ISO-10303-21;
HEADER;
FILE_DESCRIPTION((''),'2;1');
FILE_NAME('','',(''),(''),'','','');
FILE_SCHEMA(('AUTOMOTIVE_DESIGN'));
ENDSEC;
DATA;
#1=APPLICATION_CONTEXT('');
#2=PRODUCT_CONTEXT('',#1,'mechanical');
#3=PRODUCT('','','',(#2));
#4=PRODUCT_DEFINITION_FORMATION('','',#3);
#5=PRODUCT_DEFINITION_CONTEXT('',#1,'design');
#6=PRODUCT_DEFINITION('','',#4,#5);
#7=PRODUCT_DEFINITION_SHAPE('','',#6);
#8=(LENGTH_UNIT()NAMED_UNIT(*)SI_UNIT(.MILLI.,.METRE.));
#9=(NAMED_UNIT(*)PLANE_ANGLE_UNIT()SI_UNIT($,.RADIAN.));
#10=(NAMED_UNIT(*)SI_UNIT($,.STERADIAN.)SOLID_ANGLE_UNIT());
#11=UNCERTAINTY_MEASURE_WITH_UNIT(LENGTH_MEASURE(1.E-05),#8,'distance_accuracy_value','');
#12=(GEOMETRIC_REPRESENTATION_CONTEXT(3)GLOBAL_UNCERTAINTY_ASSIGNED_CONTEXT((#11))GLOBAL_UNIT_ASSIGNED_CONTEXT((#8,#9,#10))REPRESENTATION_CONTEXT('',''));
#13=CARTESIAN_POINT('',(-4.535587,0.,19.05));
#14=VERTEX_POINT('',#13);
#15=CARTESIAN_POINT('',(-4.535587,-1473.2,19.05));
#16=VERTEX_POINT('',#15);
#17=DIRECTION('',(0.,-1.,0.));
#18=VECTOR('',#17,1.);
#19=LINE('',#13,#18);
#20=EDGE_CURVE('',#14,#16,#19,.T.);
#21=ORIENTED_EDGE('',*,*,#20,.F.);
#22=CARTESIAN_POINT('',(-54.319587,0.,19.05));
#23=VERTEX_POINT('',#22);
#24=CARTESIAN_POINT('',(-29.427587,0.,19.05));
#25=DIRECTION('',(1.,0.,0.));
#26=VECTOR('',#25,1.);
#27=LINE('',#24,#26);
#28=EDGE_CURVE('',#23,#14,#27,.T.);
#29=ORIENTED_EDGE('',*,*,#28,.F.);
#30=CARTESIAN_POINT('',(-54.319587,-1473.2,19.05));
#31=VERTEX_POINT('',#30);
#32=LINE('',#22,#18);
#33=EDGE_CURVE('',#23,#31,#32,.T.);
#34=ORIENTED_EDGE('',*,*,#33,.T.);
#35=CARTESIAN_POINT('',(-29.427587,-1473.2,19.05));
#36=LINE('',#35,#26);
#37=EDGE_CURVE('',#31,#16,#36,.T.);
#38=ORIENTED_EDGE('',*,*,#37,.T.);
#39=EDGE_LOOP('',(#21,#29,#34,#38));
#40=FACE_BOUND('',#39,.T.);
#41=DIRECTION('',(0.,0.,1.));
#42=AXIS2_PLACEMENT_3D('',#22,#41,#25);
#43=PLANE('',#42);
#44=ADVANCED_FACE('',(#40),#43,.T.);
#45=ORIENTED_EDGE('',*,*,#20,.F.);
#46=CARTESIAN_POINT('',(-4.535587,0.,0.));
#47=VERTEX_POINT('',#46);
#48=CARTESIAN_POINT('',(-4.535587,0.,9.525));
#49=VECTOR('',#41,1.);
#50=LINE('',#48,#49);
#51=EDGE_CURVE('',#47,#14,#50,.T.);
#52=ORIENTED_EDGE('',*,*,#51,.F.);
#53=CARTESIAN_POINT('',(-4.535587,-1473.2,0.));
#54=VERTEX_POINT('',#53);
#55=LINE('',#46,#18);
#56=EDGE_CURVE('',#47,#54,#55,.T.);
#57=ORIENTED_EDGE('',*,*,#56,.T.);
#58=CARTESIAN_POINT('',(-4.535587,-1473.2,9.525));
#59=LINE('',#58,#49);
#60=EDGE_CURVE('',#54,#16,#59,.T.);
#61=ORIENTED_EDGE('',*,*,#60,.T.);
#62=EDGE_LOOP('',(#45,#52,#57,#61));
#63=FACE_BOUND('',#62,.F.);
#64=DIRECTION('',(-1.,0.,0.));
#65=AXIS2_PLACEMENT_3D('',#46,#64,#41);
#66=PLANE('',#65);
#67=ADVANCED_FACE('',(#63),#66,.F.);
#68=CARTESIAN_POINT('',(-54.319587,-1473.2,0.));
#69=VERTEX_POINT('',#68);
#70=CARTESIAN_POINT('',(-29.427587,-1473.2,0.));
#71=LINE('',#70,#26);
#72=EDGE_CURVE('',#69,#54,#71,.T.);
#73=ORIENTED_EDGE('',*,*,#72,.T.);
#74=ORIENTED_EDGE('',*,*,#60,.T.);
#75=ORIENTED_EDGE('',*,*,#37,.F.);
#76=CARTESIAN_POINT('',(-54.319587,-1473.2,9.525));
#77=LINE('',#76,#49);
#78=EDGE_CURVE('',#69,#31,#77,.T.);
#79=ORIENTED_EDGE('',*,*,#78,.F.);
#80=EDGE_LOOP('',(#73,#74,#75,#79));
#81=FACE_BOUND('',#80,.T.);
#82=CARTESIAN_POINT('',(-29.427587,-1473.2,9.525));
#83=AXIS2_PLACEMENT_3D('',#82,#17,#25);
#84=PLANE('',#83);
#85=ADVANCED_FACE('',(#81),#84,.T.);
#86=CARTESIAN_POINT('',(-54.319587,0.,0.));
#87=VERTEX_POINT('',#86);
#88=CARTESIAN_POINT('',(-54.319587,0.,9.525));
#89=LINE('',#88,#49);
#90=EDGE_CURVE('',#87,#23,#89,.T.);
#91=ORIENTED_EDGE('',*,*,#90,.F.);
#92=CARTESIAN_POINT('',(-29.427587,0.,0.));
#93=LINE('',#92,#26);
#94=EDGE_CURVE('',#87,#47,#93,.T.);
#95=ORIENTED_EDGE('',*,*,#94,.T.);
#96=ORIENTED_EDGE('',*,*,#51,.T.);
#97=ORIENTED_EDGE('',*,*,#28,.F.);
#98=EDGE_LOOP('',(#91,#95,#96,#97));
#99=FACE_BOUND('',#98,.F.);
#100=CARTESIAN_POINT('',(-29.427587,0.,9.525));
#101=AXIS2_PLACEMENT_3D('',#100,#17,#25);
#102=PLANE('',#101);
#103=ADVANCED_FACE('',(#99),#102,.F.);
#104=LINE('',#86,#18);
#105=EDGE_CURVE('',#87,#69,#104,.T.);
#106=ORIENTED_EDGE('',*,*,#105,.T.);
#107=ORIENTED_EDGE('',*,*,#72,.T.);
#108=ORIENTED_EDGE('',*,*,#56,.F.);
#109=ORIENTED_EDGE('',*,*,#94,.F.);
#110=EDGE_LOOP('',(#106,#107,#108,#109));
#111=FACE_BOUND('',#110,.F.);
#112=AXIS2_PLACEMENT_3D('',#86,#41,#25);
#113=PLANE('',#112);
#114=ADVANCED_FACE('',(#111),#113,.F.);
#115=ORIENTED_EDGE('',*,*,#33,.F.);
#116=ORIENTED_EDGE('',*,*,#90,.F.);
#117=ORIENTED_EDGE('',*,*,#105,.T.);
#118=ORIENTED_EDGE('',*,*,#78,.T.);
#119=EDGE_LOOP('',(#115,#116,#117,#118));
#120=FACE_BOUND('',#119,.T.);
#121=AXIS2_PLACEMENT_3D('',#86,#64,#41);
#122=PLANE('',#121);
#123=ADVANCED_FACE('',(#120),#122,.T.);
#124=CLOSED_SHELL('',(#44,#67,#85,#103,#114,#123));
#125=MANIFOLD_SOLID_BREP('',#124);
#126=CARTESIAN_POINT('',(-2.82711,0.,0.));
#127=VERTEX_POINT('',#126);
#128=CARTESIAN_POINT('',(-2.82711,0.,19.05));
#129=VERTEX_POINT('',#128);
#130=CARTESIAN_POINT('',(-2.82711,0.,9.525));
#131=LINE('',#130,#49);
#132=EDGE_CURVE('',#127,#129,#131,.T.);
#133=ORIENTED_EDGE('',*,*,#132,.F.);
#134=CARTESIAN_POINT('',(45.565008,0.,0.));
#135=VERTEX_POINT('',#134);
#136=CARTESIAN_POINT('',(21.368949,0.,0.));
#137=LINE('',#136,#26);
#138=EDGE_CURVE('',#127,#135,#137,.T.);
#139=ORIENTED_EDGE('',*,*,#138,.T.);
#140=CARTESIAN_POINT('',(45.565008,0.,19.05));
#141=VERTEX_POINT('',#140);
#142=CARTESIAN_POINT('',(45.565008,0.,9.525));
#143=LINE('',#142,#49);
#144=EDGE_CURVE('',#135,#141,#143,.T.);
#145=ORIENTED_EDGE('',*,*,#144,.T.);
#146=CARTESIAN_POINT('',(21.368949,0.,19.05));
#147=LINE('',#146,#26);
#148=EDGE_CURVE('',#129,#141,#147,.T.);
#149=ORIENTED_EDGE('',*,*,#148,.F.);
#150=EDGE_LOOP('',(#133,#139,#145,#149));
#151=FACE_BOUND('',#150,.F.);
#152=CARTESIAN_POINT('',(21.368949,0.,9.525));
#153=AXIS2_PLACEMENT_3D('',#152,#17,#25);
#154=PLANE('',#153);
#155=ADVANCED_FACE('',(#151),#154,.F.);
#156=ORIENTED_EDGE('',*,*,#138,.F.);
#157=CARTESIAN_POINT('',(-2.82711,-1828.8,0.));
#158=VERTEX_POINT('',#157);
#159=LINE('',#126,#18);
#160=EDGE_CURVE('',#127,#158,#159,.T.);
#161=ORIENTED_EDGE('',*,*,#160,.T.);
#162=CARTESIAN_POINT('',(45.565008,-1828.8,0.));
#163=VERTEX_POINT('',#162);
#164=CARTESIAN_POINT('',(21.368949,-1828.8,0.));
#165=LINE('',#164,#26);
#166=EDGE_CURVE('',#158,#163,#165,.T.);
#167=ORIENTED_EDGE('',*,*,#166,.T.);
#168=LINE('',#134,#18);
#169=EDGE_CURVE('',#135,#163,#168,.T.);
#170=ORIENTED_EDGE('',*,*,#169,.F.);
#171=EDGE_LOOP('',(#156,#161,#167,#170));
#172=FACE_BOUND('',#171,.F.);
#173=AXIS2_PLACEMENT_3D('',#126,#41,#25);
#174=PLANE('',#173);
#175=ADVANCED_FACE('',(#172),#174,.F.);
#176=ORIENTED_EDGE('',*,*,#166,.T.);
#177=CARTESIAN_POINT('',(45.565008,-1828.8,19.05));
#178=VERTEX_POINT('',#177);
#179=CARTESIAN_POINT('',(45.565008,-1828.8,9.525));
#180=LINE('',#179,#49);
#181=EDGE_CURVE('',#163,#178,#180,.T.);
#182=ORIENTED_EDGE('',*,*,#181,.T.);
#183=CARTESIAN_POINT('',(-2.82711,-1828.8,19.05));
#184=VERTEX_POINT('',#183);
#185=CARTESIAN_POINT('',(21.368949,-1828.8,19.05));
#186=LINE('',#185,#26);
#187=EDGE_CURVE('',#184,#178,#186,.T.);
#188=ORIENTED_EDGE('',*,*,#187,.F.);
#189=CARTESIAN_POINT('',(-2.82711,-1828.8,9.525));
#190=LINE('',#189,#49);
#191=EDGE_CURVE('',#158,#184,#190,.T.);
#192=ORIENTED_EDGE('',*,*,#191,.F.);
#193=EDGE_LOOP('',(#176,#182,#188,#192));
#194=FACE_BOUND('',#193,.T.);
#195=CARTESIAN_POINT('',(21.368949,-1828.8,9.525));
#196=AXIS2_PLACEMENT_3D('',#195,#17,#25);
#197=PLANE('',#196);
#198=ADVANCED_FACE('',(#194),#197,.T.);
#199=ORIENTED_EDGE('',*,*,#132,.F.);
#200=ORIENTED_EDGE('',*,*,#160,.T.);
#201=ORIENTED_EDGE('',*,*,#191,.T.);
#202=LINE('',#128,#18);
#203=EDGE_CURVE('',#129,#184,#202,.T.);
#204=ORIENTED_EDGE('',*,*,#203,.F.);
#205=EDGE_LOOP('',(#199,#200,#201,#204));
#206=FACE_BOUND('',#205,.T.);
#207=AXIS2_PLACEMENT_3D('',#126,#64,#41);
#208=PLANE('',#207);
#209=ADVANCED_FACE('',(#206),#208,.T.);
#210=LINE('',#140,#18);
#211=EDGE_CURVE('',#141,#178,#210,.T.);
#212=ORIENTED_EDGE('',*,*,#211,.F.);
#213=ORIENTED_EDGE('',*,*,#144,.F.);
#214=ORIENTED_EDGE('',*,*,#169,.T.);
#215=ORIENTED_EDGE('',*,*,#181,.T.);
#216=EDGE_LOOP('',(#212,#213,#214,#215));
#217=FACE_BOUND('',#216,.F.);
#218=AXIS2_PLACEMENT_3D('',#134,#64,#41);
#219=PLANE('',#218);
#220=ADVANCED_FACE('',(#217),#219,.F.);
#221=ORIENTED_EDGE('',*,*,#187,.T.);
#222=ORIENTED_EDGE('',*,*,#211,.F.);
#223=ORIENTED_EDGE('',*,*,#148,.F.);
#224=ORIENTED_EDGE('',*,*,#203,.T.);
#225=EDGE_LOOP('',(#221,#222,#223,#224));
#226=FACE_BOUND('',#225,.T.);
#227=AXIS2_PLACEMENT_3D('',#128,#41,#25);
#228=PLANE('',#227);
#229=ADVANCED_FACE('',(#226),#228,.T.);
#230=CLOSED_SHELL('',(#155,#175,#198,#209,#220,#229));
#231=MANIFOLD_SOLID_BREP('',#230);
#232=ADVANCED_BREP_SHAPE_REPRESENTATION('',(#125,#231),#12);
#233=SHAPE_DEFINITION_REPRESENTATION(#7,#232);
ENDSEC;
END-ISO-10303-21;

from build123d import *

# Parameters (mm, degrees)
F0_W     = 48.392119
F0_H     = 19.05
F1_DEPTH = 1828.8
F2_W     = 49.784
F2_H     = 19.05
F3_DEPTH = 1473.2


with BuildPart() as f1:
    # F0 (on Front) → F1 (new body)
    with BuildSketch(Plane.XZ):
        with Locations((21.368949, 9.525)):
            Rectangle(F0_W, F0_H)
    extrude(amount=F1_DEPTH)


with BuildPart() as f3:
    # F2 (on Front) → F3 (new body)
    with BuildSketch(Plane.XZ):
        with Locations((-29.427587, 9.525)):
            Rectangle(F2_W, F2_H)
    extrude(amount=F3_DEPTH)


solid = Compound([f1.part, f3.part])
